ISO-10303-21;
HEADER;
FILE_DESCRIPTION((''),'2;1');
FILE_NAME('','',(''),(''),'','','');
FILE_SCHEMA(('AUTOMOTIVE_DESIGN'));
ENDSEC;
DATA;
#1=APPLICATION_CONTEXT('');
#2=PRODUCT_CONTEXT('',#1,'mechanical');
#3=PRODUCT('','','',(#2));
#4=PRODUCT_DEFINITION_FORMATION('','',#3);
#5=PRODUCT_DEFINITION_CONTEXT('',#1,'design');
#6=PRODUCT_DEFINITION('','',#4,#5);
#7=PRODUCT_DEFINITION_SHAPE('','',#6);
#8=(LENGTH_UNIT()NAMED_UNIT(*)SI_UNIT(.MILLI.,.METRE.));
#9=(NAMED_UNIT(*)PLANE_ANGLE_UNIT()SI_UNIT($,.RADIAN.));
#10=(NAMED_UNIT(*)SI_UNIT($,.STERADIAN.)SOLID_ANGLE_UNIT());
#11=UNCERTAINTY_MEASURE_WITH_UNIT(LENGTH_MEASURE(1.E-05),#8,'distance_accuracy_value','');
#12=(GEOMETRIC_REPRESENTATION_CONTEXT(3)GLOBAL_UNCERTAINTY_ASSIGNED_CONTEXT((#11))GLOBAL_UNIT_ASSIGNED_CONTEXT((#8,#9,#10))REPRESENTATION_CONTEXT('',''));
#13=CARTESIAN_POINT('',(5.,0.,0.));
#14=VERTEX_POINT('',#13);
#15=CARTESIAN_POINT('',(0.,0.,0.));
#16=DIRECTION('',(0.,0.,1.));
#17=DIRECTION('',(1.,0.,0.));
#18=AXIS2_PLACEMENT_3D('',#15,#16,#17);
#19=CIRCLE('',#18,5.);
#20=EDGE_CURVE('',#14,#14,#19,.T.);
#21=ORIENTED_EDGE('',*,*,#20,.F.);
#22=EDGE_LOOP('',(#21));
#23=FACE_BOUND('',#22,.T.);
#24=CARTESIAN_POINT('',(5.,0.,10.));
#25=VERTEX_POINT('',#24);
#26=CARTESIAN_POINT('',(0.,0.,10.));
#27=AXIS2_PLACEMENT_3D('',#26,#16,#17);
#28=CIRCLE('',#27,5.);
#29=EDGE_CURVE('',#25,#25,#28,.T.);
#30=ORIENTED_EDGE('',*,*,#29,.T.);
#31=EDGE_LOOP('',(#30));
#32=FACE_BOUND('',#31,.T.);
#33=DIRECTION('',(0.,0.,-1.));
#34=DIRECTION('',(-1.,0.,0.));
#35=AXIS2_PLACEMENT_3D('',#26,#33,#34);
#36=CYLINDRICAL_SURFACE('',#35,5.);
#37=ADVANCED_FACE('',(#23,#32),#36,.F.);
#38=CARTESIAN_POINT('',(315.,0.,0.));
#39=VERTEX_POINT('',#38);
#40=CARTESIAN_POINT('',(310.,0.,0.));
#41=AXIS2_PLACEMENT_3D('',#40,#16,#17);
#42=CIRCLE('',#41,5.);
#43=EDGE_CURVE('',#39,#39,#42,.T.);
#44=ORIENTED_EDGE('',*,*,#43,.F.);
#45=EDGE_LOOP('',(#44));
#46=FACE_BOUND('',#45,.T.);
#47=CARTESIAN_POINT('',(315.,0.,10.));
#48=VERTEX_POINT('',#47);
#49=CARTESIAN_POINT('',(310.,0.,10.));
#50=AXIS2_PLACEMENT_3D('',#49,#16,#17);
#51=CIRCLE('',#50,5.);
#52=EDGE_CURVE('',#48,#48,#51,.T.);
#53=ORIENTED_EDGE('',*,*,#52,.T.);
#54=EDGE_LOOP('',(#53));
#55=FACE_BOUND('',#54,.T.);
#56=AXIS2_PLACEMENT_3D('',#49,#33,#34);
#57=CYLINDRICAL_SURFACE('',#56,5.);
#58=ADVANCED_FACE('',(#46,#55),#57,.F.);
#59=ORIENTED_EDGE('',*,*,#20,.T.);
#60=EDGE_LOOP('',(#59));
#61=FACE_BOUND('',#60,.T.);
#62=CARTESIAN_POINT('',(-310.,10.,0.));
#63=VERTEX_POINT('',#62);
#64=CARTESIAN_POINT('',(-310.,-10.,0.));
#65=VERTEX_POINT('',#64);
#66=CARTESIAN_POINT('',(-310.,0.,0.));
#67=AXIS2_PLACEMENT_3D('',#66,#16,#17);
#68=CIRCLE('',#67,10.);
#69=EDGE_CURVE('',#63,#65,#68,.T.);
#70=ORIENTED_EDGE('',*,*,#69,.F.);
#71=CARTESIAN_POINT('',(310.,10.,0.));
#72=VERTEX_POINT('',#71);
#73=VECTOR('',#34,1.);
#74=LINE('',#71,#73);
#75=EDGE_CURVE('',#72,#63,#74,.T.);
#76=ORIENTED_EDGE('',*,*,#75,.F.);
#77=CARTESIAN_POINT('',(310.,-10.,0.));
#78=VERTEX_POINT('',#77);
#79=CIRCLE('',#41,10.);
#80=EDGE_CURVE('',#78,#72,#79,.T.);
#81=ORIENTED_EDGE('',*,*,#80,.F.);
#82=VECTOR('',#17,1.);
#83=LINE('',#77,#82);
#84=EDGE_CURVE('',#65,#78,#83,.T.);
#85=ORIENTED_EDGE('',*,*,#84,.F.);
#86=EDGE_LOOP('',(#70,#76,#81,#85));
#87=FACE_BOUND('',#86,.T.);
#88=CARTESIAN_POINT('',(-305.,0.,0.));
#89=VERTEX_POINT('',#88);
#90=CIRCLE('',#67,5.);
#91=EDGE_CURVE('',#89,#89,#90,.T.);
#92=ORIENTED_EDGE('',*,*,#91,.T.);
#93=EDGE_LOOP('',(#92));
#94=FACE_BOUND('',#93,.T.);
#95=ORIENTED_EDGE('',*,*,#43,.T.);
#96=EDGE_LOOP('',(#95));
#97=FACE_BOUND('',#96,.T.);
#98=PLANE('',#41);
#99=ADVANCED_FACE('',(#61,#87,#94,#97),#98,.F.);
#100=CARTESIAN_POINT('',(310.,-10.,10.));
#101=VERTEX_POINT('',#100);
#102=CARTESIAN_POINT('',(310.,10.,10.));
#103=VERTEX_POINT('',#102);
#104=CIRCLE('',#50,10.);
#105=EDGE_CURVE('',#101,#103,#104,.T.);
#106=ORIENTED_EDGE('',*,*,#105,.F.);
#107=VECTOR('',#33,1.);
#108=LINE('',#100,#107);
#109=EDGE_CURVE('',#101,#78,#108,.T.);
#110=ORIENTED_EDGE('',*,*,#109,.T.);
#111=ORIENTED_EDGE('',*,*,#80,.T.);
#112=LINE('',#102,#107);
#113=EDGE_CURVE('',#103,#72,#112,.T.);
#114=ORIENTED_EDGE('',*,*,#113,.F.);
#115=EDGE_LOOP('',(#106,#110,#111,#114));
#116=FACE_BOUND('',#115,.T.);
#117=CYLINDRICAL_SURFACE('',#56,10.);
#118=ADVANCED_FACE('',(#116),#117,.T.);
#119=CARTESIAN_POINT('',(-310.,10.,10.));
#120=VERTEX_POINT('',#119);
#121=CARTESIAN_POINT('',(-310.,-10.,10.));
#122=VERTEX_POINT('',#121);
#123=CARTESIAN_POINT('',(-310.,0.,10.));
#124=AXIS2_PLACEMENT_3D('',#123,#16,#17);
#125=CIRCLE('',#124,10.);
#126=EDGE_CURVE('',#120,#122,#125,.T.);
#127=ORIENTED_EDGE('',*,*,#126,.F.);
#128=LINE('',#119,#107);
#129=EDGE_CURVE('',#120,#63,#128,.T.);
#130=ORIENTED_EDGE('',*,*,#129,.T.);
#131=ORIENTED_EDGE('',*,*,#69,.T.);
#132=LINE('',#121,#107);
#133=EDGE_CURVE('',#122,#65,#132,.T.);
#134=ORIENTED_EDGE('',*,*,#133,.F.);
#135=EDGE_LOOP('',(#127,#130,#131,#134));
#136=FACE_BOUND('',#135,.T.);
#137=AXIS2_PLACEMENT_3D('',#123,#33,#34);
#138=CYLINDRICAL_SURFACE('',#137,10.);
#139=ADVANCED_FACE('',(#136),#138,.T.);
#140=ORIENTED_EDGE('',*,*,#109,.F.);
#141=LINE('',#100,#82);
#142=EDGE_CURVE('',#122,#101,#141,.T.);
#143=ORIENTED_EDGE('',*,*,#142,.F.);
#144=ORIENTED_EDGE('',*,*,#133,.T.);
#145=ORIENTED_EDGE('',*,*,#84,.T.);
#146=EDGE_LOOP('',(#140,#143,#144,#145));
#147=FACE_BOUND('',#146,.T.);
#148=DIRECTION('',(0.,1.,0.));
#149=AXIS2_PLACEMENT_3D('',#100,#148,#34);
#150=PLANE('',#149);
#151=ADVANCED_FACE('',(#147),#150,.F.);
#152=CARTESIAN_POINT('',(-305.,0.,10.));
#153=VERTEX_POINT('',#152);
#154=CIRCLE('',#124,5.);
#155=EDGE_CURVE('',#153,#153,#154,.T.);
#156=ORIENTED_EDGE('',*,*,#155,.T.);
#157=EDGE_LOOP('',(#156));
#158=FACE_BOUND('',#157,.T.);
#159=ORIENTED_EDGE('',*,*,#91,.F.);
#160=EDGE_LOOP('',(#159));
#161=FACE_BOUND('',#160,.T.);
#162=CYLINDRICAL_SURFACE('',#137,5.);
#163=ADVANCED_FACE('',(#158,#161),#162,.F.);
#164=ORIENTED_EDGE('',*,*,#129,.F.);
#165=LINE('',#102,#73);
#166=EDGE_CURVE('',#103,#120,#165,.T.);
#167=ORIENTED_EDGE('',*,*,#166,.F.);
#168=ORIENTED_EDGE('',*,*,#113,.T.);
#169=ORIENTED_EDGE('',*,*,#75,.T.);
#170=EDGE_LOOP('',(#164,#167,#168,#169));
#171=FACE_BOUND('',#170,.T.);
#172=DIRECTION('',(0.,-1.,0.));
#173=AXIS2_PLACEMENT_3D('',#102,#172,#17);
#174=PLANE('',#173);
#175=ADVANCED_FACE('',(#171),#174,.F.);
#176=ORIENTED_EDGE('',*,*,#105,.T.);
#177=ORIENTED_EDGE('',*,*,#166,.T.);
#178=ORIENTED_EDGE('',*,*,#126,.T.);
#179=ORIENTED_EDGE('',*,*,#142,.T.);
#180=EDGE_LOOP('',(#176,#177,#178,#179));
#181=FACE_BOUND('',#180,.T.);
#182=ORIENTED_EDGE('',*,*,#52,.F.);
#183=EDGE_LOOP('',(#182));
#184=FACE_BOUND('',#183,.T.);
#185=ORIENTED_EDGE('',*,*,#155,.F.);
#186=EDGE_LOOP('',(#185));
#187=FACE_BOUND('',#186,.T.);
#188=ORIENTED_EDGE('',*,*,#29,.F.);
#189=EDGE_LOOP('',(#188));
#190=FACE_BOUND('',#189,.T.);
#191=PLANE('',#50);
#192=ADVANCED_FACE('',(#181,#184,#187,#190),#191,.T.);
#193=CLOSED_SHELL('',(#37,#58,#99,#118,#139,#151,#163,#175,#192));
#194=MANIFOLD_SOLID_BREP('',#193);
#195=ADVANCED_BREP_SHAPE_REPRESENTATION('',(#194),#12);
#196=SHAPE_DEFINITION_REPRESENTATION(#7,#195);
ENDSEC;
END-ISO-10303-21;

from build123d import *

# Parameters (mm, degrees)
SKETCH1_R           = 5
BOSS_EXTRUDE1_DEPTH = 10


with BuildPart() as part:
    # Sketch1 → Boss-Extrude1 (new body)
    with BuildSketch(Plane.XY):
        with BuildLine():
            Line((310, -10), (-310, -10))
            ThreePointArc((-310, -10), (-320, 0), (-310, 10))
            Line((-310, 10), (310, 10))
            ThreePointArc((310, 10), (320, 0), (310, -10))
        make_face()
        with Locations((-310, 0)):
            Circle(SKETCH1_R, mode=Mode.SUBTRACT)
        with Locations((310, 0)):
            Circle(SKETCH1_R, mode=Mode.SUBTRACT)
        Circle(SKETCH1_R, mode=Mode.SUBTRACT)
    extrude(amount=BOSS_EXTRUDE1_DEPTH)


solid = part.part
